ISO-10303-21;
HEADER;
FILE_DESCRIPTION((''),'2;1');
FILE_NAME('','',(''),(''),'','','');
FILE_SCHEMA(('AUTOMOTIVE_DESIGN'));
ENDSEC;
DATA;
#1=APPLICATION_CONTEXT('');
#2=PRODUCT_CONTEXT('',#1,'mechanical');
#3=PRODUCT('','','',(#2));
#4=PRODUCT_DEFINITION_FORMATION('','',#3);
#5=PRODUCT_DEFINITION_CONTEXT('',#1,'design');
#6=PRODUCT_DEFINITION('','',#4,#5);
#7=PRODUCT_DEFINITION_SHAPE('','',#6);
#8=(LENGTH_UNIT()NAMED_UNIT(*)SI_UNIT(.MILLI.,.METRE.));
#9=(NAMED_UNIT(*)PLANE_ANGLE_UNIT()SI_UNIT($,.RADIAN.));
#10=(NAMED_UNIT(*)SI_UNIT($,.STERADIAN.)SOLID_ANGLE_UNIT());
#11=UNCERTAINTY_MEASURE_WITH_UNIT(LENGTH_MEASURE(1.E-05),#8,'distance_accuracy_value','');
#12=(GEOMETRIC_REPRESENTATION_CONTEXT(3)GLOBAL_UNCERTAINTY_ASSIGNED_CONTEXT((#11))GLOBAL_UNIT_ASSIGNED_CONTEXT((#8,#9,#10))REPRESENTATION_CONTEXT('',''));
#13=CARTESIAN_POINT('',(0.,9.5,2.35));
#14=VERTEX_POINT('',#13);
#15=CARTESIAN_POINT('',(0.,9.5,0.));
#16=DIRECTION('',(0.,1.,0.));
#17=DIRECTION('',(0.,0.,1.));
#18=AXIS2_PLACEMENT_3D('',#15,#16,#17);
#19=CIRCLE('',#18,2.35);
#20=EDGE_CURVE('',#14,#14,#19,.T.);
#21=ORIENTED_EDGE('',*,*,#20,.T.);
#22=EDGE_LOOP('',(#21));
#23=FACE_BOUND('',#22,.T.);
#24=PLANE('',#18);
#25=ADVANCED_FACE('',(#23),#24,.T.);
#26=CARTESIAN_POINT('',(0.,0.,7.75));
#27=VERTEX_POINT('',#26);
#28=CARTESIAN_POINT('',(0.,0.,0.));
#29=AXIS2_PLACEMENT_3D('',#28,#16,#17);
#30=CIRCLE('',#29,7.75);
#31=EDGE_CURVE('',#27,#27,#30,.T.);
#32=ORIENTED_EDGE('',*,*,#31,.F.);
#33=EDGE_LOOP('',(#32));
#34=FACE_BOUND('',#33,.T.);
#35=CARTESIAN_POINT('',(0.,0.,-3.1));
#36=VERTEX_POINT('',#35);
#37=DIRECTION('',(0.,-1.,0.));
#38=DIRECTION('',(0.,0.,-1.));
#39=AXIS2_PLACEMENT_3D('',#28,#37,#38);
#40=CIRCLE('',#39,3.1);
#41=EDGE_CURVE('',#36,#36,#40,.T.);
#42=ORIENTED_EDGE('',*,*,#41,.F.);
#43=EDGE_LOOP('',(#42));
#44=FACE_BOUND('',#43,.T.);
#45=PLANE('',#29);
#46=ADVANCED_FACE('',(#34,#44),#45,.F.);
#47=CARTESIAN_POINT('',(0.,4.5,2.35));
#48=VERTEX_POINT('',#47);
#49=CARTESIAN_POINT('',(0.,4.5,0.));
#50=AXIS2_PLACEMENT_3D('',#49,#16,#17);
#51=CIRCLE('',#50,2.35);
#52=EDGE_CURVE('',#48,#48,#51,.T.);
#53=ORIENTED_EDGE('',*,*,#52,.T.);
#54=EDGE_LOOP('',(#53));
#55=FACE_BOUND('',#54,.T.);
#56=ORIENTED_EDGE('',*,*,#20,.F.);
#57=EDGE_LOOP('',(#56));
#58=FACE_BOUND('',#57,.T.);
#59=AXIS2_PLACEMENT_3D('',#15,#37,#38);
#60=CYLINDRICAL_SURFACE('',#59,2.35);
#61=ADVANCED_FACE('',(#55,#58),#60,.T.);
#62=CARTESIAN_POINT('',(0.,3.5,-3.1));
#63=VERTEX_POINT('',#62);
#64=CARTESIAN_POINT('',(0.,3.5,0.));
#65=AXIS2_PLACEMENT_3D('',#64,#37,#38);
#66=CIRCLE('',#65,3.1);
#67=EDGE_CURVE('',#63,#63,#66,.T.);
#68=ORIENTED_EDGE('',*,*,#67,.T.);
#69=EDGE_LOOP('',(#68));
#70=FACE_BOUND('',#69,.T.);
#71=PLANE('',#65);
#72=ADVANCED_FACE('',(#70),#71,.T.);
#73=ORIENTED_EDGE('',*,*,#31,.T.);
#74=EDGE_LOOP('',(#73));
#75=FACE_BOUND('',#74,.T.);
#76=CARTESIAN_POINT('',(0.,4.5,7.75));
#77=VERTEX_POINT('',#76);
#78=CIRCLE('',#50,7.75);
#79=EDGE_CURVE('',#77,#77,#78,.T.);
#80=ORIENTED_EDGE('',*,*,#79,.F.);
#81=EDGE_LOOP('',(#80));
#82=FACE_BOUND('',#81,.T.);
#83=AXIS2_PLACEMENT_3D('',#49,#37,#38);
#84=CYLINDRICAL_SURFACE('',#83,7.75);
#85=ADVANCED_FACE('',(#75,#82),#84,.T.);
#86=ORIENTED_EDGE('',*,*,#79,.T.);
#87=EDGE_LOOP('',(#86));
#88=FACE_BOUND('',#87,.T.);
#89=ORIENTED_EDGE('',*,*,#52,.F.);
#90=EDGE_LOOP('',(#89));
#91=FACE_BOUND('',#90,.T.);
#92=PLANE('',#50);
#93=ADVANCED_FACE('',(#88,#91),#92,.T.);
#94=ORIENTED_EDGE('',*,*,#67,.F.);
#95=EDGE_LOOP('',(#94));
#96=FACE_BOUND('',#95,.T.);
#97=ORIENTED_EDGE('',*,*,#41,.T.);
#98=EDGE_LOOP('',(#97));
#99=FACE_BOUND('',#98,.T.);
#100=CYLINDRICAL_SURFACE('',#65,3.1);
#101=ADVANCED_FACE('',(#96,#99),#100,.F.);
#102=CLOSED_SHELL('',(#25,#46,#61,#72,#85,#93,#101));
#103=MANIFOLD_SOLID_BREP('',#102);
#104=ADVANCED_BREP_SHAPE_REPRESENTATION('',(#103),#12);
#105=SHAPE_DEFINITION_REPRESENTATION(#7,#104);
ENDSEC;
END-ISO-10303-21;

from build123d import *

# Parameters (mm, degrees)
IZIM1_R                     = 7.75
Y_KSEKLIK_EKSTR_ZYON1_DEPTH = 4.5
IZIM2_R                     = 2.35
Y_KSEKLIK_EKSTR_ZYON2_DEPTH = 5
IZIM3_R                     = 3.1
KES_EKSTR_ZYON1_DEPTH       = 3.5


with BuildPart() as part:
    # Çizim1 → Yükseklik-Ekstrüzyon1 (new body)
    with BuildSketch(Plane(origin=(0, 0, 0), x_dir=(1, 0, 0), z_dir=(0, 1, 0))):
        Circle(IZIM1_R)
    extrude(amount=Y_KSEKLIK_EKSTR_ZYON1_DEPTH)

    # Çizim2 → Yükseklik-Ekstrüzyon2 (add)
    with BuildSketch(Plane(origin=(0, 4.5, 0), x_dir=(1, 0, 0), z_dir=(0, 1, 0))):
        Circle(IZIM2_R)
    extrude(amount=Y_KSEKLIK_EKSTR_ZYON2_DEPTH)

    # Çizim3 → Kes-Ekstrüzyon1 (cut)
    with BuildSketch(Plane.XZ):
        Circle(IZIM3_R)
    extrude(amount=-KES_EKSTR_ZYON1_DEPTH, mode=Mode.SUBTRACT)


solid = part.part
